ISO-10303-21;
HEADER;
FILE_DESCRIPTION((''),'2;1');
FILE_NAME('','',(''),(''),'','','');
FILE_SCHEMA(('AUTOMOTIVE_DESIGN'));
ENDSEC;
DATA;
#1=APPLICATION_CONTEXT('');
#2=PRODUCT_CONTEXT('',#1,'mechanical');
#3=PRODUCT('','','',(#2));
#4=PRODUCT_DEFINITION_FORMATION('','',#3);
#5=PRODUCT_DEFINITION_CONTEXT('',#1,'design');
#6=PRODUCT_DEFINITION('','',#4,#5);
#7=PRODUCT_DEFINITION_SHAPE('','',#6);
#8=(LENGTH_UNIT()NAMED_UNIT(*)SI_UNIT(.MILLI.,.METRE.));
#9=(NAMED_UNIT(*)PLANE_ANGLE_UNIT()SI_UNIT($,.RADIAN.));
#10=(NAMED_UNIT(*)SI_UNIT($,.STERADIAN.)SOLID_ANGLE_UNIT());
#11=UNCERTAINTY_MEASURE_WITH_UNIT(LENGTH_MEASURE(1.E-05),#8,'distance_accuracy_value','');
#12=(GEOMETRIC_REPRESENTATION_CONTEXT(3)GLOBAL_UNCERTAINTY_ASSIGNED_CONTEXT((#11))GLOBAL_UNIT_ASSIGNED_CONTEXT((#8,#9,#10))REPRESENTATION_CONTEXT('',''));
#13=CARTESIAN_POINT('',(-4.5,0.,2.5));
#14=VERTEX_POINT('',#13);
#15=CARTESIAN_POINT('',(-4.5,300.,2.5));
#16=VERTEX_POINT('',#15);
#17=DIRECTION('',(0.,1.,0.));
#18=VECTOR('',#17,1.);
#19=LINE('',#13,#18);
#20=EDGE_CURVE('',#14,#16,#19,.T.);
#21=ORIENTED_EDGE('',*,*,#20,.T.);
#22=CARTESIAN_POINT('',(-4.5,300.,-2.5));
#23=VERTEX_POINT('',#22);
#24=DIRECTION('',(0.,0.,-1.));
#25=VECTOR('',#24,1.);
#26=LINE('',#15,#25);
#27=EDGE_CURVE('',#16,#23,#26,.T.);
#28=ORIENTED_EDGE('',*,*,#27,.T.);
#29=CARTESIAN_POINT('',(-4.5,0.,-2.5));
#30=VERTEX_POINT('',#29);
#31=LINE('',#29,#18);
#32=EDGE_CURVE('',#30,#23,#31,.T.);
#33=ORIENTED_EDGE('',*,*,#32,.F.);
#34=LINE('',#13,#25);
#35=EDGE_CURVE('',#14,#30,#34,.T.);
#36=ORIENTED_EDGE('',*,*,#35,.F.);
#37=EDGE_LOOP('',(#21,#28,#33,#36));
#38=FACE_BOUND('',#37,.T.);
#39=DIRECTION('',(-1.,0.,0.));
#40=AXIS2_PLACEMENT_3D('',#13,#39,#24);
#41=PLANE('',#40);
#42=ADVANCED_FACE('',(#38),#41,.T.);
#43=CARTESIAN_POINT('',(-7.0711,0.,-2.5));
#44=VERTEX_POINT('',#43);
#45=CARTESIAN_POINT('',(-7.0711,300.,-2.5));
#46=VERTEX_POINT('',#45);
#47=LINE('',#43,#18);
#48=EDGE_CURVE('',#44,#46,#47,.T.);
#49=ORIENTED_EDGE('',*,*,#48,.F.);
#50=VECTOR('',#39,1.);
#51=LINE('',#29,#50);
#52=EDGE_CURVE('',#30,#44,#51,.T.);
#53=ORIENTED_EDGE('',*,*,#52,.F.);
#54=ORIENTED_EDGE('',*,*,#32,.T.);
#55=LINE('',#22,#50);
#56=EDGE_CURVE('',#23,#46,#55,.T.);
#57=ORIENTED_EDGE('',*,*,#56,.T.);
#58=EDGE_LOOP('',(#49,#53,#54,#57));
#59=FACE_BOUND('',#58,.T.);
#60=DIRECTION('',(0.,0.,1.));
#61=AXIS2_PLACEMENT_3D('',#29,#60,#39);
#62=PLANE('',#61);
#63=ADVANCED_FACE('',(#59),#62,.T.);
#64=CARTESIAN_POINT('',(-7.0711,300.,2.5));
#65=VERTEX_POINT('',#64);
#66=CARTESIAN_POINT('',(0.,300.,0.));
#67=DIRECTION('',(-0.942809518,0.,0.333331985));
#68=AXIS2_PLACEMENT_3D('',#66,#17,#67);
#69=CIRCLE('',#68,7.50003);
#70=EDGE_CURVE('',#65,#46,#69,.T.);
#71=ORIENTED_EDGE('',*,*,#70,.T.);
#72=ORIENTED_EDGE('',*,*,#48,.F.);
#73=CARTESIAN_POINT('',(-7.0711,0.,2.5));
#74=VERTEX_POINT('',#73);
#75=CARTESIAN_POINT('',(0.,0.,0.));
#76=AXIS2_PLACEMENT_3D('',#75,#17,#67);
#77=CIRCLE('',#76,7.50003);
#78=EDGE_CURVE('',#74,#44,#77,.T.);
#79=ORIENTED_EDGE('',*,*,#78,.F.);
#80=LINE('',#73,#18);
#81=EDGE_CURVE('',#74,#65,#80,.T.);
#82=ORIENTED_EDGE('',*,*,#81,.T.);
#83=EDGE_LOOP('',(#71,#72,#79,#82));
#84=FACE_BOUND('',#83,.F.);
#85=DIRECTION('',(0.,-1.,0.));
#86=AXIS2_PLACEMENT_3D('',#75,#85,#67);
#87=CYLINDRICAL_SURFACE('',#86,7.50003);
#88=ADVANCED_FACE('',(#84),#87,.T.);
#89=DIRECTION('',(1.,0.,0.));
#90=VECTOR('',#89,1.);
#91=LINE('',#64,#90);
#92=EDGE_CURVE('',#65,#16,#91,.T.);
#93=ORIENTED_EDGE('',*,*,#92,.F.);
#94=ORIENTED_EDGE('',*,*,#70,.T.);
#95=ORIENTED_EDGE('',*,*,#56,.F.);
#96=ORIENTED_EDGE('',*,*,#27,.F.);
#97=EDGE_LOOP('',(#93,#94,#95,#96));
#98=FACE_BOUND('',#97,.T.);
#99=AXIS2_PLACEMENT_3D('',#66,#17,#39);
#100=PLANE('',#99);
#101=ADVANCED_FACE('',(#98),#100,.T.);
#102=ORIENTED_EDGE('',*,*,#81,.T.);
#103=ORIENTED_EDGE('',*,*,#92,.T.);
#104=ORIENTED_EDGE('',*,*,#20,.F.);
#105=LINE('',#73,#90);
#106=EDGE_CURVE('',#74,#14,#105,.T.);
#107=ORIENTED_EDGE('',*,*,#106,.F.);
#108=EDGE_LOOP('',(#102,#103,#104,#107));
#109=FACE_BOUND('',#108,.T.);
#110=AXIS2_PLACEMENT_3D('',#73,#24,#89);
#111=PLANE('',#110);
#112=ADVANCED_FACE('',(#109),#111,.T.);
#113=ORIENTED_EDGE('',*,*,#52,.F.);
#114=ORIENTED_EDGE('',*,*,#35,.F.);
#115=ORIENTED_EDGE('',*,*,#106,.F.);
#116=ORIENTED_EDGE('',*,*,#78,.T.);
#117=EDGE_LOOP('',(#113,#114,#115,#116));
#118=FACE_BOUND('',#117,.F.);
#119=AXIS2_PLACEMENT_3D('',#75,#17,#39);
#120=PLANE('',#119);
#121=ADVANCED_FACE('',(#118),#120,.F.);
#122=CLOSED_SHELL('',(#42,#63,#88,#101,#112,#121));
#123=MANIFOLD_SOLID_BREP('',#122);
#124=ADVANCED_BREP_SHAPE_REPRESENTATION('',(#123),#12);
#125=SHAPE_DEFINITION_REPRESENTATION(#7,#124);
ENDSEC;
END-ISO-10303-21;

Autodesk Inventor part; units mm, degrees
ref_plane "YZ Plane" through (0, 0, 0) normal (1, 0, 0) x (0, 1, 0)
ref_plane "XZ Plane" through (0, 0, 0) normal (0, 1, 0) x (-1, 0, 0)
ref_plane "XY Plane" through (0, 0, 0) normal (0, 0, 1) x (1, 0, 0)
sketch "Sketch1" plane through (0, 0, 0) normal (0, 1, 0) x (-1, 0, 0)
  line L0 (0, -8.4845) -> (0, 8.4845) construction
  line L1 (2.3645, 0) -> (-2.3645, 0) construction
  arc A0 (7.0711, 2.5) -> (7.0711, -2.5) centre (0, 0) ccw
  line L2 (7.0711, 2.5) -> (4.5, 2.5)
  line L3 (4.5, 2.5) -> (4.5, -2.5)
  line L4 (4.5, -2.5) -> (7.0711, -2.5)
  dimension "d0" = 15
  dimension "d1" = 4.5
  dimension "d3" = 5
extrude "Extrusion1" add sketch "Sketch1" along normal blind 300
properties part number "ShaftNut300mmV1"
